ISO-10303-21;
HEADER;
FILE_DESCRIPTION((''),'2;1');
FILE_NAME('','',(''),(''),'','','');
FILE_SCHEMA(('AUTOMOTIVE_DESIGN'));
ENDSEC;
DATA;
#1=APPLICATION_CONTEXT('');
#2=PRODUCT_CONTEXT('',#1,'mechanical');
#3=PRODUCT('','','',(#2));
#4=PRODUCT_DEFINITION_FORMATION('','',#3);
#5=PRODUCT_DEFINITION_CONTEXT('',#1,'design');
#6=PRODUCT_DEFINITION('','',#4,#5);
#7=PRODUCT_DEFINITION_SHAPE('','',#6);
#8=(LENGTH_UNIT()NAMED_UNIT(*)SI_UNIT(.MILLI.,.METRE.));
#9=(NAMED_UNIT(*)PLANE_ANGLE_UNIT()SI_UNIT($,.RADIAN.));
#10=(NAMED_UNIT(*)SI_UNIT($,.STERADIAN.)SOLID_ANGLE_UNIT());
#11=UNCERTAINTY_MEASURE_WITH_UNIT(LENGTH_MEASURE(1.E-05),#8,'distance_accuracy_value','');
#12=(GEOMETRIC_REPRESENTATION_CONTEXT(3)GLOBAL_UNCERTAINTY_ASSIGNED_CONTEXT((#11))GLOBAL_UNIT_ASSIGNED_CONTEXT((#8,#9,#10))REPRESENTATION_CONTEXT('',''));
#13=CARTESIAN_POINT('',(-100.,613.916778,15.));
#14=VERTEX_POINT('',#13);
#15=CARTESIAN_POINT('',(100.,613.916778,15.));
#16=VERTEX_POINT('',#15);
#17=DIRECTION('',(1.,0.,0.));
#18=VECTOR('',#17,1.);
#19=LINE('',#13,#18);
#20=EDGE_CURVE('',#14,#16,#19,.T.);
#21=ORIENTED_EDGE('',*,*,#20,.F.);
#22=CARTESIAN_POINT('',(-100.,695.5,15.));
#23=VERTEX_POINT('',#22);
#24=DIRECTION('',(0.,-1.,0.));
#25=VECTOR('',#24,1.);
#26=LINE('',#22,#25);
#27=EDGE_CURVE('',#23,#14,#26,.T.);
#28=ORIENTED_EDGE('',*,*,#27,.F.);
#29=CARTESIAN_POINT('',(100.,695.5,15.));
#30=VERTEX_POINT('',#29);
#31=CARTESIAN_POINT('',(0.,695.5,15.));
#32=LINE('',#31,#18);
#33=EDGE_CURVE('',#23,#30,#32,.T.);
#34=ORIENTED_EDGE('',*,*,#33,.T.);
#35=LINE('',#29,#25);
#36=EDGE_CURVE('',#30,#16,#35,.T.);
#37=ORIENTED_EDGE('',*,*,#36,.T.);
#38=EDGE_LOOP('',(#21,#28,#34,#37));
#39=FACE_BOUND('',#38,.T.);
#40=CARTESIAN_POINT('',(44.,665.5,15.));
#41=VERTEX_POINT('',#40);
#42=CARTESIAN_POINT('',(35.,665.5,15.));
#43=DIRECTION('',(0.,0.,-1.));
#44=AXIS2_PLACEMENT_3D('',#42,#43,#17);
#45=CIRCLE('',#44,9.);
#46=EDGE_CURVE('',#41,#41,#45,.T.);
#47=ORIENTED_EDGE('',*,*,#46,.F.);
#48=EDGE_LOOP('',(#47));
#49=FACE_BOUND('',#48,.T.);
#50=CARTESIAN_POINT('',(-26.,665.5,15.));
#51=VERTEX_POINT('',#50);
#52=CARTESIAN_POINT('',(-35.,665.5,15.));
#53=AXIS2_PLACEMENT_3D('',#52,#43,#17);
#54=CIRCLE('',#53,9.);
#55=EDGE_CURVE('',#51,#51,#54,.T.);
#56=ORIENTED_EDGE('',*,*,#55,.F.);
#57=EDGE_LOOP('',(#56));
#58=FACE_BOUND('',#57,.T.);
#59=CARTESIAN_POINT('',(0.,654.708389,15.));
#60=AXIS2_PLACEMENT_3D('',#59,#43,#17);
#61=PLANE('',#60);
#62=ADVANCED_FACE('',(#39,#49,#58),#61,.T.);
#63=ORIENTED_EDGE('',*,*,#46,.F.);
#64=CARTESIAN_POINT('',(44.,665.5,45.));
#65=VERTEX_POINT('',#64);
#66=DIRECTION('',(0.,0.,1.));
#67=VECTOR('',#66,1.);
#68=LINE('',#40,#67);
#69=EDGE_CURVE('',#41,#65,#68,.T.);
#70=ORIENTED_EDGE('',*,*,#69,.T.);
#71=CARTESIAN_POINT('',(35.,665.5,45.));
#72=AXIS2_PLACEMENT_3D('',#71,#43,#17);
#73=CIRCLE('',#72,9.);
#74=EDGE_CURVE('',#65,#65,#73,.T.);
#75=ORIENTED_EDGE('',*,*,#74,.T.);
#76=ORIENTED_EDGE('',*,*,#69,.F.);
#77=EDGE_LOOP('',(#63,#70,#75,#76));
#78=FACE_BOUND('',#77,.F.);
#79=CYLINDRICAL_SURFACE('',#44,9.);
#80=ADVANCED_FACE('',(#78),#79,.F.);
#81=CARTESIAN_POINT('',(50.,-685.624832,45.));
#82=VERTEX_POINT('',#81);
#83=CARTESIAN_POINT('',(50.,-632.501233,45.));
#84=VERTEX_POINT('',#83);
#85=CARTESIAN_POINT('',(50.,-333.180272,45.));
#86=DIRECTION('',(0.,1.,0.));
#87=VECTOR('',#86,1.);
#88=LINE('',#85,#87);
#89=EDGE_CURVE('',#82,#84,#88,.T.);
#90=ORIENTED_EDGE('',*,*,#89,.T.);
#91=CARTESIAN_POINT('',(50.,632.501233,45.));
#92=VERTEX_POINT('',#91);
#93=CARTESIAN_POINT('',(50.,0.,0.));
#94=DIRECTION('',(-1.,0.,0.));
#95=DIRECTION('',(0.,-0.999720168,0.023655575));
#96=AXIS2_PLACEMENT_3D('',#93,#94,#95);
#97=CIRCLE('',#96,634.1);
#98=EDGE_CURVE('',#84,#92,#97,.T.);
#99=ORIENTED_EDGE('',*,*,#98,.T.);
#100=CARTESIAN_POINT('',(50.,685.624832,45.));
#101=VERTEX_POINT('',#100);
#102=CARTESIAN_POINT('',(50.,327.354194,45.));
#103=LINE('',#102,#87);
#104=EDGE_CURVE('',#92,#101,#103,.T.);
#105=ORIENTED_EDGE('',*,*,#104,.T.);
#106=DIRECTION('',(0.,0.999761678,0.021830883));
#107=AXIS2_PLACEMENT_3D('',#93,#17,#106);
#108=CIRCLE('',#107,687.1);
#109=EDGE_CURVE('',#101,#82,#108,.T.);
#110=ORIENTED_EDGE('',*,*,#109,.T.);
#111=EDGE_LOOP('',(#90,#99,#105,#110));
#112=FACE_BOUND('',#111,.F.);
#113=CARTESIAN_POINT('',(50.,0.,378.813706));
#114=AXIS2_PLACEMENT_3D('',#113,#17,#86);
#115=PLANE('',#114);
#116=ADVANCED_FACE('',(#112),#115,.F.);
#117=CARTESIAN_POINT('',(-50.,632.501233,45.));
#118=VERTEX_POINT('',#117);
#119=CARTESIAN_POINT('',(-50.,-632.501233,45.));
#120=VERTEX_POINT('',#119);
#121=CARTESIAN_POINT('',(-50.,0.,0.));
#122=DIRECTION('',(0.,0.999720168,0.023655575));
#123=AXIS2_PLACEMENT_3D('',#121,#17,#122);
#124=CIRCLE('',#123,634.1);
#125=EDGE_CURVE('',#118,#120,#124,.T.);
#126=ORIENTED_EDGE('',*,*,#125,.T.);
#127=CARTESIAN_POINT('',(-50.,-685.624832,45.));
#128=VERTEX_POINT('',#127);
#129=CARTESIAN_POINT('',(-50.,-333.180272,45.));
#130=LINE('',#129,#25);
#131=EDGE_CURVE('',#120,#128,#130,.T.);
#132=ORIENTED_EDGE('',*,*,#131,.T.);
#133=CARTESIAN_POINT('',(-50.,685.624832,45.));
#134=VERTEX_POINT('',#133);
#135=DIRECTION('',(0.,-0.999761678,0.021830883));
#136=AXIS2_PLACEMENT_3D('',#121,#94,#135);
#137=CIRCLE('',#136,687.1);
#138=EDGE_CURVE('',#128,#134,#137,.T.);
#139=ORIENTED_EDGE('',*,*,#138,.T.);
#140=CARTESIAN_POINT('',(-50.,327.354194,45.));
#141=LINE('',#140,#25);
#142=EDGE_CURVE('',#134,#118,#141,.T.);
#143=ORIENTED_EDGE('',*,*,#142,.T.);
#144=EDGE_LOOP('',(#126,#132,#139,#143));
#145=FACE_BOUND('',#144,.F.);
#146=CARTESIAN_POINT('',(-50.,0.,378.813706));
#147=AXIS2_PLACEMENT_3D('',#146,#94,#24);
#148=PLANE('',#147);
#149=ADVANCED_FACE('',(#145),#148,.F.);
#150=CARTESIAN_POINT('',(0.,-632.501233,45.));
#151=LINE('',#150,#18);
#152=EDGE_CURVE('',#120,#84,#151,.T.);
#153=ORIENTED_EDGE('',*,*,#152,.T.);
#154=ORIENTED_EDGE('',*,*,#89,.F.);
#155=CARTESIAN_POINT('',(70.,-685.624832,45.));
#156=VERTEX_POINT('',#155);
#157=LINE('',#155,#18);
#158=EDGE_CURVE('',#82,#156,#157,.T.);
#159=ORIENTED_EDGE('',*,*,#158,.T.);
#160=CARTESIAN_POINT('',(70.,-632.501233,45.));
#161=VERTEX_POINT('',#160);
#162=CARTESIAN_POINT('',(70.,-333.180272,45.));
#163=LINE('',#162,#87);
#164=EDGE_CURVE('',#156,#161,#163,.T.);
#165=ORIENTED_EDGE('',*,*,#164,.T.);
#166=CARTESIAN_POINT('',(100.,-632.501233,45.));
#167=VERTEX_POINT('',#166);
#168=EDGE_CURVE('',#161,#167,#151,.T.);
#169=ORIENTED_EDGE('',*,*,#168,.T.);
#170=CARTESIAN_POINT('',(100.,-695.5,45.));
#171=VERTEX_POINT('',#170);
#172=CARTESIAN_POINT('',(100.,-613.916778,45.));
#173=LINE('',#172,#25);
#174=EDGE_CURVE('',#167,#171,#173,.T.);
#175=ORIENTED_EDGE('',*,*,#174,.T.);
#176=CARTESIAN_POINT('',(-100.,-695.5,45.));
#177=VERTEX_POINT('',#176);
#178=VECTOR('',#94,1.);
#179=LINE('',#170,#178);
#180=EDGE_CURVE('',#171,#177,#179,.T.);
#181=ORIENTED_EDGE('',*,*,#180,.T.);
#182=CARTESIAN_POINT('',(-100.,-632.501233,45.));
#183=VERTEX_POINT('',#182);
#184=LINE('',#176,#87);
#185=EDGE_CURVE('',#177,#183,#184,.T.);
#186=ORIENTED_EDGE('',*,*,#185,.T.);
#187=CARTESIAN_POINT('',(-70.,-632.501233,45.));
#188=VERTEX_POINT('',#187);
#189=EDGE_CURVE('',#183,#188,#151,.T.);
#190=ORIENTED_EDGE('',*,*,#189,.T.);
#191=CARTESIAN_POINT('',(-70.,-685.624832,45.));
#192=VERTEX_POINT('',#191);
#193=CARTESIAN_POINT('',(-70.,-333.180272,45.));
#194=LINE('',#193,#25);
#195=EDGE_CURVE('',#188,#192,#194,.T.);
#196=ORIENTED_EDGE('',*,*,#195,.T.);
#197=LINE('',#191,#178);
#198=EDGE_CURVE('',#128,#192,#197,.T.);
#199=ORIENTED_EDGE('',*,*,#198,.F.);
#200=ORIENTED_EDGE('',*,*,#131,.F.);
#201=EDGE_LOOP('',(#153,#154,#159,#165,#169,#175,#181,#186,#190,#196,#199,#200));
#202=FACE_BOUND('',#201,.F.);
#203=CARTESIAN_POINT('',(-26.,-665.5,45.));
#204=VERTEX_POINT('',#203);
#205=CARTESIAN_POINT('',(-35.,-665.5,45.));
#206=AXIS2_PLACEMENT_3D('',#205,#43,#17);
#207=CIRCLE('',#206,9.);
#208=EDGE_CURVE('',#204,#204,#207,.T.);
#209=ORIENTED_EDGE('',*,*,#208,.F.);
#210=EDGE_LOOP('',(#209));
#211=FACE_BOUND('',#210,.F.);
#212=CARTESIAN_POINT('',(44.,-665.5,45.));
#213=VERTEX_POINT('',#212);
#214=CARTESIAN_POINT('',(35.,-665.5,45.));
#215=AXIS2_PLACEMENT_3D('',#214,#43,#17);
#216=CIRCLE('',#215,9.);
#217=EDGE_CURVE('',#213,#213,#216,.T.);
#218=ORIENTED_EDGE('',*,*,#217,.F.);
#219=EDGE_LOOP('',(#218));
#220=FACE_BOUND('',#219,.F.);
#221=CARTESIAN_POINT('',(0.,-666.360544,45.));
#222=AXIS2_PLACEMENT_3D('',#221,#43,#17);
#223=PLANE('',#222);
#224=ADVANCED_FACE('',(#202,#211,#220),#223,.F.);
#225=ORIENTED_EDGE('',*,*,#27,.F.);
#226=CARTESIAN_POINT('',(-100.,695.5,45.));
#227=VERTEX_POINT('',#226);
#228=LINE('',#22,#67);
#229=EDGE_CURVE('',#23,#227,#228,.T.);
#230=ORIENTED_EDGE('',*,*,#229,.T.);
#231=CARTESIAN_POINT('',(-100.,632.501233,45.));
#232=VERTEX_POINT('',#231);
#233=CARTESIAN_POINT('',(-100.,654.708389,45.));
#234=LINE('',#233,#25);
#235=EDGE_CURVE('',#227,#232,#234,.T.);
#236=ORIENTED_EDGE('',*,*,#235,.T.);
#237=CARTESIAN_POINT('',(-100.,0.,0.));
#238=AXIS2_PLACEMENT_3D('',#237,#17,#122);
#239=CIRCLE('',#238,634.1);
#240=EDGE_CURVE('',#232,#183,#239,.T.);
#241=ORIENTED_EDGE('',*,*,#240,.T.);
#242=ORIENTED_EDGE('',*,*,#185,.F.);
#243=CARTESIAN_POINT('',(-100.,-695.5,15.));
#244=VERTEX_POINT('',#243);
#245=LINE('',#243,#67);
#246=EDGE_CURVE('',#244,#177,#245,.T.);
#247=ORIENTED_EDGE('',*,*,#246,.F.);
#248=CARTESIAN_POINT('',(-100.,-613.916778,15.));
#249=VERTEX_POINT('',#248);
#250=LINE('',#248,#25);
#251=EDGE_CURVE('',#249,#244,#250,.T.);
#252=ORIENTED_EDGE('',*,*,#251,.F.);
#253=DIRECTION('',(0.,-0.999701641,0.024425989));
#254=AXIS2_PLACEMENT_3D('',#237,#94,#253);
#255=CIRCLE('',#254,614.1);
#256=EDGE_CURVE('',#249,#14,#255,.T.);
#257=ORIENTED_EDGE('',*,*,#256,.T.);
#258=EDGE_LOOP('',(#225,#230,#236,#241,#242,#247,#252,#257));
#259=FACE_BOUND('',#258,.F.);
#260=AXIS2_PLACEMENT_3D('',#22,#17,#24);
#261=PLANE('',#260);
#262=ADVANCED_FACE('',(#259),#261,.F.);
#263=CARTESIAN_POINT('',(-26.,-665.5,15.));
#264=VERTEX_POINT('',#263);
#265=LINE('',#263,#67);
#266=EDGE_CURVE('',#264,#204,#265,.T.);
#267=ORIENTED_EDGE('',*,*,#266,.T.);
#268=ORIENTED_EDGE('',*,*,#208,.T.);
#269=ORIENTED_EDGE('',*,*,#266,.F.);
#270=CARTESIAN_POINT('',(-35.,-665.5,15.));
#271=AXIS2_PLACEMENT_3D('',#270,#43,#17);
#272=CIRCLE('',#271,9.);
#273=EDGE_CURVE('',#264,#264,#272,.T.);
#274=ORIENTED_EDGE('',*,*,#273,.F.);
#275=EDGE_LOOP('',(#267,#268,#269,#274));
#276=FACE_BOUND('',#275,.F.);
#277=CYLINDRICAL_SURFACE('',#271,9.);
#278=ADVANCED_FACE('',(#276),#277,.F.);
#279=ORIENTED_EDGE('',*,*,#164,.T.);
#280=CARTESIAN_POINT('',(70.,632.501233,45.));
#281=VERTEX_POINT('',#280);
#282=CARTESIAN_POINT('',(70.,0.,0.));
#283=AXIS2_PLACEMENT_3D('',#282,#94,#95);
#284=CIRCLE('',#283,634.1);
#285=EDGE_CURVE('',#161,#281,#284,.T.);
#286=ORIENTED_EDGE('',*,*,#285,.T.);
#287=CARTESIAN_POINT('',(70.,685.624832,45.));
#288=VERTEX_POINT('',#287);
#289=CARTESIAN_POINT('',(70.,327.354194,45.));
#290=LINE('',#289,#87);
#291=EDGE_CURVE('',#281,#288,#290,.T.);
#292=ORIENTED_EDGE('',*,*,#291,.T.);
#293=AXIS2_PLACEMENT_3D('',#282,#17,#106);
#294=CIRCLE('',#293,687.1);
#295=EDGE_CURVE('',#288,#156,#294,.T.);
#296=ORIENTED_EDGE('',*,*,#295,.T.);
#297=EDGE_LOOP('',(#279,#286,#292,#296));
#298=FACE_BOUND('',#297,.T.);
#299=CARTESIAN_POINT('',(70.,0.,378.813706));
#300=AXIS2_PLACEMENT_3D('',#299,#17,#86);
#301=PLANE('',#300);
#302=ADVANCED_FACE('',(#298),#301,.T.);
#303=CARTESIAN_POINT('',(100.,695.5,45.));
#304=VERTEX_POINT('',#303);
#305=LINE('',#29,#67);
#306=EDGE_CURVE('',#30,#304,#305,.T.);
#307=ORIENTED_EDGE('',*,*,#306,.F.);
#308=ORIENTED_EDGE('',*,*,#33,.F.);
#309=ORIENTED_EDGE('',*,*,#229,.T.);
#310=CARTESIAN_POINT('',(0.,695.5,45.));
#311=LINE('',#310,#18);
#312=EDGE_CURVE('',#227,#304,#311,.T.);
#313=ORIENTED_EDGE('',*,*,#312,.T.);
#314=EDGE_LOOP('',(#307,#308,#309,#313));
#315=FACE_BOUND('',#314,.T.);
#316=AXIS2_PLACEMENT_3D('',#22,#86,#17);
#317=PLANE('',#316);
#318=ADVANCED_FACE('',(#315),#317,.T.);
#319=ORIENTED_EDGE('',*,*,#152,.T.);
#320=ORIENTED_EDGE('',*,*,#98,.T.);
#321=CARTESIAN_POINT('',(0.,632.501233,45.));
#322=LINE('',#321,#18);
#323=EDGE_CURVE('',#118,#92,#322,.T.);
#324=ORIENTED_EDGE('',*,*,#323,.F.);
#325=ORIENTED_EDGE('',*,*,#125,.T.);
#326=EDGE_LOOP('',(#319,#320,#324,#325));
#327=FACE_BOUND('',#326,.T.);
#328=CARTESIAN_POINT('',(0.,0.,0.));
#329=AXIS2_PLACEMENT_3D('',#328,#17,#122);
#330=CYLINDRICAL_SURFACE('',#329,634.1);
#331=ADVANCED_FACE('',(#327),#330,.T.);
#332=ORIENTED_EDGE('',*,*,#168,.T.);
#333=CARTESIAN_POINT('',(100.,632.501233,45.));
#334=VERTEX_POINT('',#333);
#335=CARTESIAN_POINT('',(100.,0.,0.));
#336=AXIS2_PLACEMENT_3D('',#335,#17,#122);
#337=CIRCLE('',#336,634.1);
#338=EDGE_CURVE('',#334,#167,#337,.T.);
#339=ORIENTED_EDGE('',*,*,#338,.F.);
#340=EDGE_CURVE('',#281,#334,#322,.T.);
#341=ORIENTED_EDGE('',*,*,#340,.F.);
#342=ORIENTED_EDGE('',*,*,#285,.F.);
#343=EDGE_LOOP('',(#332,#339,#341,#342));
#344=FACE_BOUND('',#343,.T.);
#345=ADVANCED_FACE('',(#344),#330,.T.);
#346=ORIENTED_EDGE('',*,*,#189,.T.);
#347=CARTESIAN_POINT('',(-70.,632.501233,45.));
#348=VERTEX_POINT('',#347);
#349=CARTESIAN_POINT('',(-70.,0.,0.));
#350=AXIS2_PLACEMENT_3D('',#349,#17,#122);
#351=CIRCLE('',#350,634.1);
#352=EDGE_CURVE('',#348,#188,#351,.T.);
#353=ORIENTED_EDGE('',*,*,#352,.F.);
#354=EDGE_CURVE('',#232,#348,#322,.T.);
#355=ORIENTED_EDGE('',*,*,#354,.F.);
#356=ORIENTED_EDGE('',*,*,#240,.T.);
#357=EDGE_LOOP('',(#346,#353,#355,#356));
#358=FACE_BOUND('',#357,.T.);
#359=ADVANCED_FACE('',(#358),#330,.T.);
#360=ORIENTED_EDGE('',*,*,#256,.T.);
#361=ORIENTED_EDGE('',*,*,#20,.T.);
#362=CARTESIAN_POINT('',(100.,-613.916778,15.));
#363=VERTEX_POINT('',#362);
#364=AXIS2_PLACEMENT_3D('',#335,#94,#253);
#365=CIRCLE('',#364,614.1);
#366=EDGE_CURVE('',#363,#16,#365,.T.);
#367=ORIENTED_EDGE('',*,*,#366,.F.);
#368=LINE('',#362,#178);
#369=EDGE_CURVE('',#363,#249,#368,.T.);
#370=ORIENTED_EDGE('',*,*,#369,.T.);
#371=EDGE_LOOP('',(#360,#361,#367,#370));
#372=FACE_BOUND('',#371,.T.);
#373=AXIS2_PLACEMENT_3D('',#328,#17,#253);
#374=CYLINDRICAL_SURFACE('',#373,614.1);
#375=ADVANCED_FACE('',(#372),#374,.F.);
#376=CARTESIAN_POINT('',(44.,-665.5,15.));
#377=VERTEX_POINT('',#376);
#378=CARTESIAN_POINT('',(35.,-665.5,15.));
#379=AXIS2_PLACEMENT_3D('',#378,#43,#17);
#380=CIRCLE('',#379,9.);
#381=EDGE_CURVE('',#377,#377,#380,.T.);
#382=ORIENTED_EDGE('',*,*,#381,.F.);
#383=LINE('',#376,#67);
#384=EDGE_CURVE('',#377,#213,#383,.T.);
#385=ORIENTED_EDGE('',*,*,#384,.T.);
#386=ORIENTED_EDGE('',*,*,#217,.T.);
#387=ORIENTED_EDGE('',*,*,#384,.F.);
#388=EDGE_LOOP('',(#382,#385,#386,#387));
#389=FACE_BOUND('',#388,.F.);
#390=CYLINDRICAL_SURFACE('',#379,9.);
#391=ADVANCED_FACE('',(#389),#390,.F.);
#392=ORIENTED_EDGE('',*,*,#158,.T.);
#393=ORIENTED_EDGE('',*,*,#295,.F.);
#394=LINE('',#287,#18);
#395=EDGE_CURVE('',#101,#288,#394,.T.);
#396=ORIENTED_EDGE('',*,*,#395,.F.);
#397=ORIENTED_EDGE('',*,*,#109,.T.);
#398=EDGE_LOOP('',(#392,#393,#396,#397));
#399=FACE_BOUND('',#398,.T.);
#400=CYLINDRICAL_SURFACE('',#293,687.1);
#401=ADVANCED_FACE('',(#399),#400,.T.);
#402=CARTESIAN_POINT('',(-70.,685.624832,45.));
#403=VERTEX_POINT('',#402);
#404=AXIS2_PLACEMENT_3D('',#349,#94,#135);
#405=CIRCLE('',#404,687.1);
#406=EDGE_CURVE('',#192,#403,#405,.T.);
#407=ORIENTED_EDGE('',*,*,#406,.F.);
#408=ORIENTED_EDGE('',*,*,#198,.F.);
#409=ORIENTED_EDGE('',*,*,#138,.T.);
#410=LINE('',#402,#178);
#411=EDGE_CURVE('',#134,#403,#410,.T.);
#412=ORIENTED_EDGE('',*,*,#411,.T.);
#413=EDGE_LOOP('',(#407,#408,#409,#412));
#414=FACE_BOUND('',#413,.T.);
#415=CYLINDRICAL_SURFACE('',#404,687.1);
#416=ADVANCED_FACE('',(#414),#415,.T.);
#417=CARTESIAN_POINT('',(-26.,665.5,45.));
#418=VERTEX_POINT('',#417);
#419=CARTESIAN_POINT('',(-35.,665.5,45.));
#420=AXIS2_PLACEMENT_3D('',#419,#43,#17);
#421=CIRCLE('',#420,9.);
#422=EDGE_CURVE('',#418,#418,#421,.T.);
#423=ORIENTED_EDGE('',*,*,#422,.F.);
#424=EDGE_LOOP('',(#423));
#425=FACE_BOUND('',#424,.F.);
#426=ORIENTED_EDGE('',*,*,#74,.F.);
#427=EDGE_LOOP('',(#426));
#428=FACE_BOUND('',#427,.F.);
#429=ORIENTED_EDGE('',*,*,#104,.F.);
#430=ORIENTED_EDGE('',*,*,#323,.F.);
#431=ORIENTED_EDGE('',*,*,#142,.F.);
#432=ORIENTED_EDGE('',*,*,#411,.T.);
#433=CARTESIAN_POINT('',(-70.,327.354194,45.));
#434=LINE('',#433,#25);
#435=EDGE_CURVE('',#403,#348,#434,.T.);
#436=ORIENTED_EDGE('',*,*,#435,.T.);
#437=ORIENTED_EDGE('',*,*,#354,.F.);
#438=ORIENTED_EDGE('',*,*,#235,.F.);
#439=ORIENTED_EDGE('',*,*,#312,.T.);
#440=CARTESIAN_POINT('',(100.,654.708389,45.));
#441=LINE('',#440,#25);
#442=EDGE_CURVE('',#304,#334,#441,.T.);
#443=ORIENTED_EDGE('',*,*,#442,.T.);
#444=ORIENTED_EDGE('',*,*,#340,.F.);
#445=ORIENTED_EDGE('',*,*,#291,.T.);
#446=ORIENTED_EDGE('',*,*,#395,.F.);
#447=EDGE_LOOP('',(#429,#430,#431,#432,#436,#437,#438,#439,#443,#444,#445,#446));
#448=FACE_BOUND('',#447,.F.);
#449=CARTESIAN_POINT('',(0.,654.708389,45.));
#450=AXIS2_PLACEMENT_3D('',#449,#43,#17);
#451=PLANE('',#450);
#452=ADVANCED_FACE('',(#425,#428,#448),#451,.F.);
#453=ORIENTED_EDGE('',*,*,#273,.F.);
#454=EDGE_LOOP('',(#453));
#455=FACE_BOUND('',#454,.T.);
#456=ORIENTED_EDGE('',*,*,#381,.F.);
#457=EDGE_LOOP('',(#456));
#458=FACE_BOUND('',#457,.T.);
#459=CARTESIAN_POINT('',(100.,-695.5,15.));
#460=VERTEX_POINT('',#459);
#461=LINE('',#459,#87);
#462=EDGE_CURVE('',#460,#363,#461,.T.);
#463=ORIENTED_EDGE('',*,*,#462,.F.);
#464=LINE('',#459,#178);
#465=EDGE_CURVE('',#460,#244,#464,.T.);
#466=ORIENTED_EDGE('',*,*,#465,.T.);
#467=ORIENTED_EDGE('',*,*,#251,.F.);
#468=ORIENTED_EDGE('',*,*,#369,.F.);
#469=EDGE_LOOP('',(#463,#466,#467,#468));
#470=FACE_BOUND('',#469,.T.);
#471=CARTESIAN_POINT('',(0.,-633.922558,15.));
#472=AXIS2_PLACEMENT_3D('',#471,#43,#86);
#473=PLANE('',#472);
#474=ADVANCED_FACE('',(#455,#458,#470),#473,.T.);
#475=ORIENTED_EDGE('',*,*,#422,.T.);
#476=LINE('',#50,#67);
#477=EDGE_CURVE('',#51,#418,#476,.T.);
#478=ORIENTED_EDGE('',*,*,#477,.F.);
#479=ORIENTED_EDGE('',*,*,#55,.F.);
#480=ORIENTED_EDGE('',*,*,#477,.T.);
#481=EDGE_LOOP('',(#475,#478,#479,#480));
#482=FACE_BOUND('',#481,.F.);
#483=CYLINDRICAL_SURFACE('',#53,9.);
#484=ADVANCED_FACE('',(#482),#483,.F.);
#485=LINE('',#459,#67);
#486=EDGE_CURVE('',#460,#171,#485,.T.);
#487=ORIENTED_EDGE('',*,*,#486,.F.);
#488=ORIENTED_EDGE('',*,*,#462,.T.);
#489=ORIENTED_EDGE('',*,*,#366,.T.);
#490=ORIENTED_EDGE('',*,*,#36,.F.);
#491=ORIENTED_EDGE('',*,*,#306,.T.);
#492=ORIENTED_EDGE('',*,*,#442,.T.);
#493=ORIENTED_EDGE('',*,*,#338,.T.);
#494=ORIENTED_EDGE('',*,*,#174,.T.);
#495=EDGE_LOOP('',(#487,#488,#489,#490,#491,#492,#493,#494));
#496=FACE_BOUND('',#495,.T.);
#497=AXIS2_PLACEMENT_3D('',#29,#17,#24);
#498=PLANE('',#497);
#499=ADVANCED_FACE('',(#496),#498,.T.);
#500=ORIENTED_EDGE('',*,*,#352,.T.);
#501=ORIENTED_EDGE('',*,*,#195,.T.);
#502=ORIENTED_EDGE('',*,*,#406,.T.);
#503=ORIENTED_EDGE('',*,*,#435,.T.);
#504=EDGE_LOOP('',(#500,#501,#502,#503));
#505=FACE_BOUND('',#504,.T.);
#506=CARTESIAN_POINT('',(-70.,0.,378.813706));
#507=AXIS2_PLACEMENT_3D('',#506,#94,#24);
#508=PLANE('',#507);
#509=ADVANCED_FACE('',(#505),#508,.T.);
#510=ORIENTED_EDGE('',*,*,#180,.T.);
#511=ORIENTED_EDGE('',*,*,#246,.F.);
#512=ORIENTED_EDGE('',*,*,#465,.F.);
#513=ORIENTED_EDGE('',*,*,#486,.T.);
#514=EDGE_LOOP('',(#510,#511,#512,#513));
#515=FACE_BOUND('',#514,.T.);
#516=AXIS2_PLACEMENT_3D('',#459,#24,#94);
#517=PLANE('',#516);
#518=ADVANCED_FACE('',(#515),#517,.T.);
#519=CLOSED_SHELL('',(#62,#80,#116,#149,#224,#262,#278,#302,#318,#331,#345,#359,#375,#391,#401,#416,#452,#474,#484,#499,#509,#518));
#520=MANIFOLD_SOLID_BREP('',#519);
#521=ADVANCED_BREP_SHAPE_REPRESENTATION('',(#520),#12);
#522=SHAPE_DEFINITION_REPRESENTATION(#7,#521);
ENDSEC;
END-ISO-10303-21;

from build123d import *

# Parameters (mm, degrees)
F1_DEPTH  = 100
F4_DEPTH  = 20
F7_DEPTH  = 20
F8_W      = 200
F8_H      = 81.5832222524
F9_DEPTH  = 30
F10_R     = 9
F11_DEPTH = 672.101


with BuildPart() as f1:
    # F0 (on Right) → F1 (new body, symmetric)
    with BuildSketch(Plane.YZ):
        with BuildLine():
            ThreePointArc((-613.9167777476, 15), (0, 614.1), (613.9167777476, 15))
            Line((613.9167777476, 15), (633.9225583618, 15))
            ThreePointArc((633.9225583618, 15), (0, 634.1), (-633.9225583618, 15))
            Line((-633.9225583618, 15), (-613.9167777476, 15))
        make_face()
    extrude(amount=F1_DEPTH, both=True)

    # F3 (on offset) → F4 (join)
    with BuildSketch(Plane.YZ.offset(70)):
        with BuildLine():
            ThreePointArc((-633.9225583618, 15), (0, 634.1), (633.9225583618, 15))
            Line((633.9225583618, 15), (686.9362488616, 15))
            ThreePointArc((686.9362488616, 15), (0, 687.1), (-686.9362488616, 15))
            Line((-686.9362488616, 15), (-633.9225583618, 15))
        make_face()
    extrude(amount=-F4_DEPTH)

    # F6 (on offset) → F7 (join)
    with BuildSketch(Plane(origin=(-70, 0, 0), x_dir=(0, -1, 0), z_dir=(-1, 0, 0))):
        with BuildLine():
            Line((-686.9362488616, 15), (-633.9225583618, 15))
            ThreePointArc((-633.9225583618, 15), (0, 634.1), (633.9225583618, 15))
            Line((633.9225583618, 15), (686.9362488616, 15))
            ThreePointArc((686.9362488616, 15), (0, 687.1), (-686.9362488616, 15))
        make_face()
    extrude(amount=-F7_DEPTH)

    # F8 (on face) → F9 (join)
    with BuildSketch(Plane(origin=(0, 0, 15), x_dir=(1, 0, 0), z_dir=(0, 0, -1))):
        with Locations((0, -654.7083888738)):
            Rectangle(F8_W, F8_H)
        Polygon((-100, 695.5), (-100, 633.9225583618), (-70, 633.9225583618), (-70, 686.9362488616), (-50, 686.9362488616), (-50, 633.9225583618), (50, 633.9225583618), (50, 686.9362488616), (70, 686.9362488616), (70, 633.9225583618), (100, 633.9225583618), (100, 695.5), align=None)
        Polygon((-100, 633.9225583618), (-100, 613.9167777476), (100, 613.9167777476), (100, 633.9225583618), (70, 633.9225583618), (70, 686.9362488616), (50, 686.9362488616), (50, 633.9225583618), (-50, 633.9225583618), (-50, 686.9362488616), (-70, 686.9362488616), (-70, 633.9225583618), align=None)
    extrude(amount=-F9_DEPTH)

    # F10 (on face) → F11 (cut, through all)
    with BuildSketch(Plane(origin=(0, 0, 15), x_dir=(1, 0, 0), z_dir=(0, 0, -1))):
        with Locations((-35, 665.5)):
            Circle(F10_R)
        with Locations((35, 665.5)):
            Circle(F10_R)
        with Locations((-35, -665.5)):
            Circle(F10_R)
        with Locations((35, -665.5)):
            Circle(F10_R)
    extrude(amount=-F11_DEPTH, mode=Mode.SUBTRACT)


solid = f1.part
